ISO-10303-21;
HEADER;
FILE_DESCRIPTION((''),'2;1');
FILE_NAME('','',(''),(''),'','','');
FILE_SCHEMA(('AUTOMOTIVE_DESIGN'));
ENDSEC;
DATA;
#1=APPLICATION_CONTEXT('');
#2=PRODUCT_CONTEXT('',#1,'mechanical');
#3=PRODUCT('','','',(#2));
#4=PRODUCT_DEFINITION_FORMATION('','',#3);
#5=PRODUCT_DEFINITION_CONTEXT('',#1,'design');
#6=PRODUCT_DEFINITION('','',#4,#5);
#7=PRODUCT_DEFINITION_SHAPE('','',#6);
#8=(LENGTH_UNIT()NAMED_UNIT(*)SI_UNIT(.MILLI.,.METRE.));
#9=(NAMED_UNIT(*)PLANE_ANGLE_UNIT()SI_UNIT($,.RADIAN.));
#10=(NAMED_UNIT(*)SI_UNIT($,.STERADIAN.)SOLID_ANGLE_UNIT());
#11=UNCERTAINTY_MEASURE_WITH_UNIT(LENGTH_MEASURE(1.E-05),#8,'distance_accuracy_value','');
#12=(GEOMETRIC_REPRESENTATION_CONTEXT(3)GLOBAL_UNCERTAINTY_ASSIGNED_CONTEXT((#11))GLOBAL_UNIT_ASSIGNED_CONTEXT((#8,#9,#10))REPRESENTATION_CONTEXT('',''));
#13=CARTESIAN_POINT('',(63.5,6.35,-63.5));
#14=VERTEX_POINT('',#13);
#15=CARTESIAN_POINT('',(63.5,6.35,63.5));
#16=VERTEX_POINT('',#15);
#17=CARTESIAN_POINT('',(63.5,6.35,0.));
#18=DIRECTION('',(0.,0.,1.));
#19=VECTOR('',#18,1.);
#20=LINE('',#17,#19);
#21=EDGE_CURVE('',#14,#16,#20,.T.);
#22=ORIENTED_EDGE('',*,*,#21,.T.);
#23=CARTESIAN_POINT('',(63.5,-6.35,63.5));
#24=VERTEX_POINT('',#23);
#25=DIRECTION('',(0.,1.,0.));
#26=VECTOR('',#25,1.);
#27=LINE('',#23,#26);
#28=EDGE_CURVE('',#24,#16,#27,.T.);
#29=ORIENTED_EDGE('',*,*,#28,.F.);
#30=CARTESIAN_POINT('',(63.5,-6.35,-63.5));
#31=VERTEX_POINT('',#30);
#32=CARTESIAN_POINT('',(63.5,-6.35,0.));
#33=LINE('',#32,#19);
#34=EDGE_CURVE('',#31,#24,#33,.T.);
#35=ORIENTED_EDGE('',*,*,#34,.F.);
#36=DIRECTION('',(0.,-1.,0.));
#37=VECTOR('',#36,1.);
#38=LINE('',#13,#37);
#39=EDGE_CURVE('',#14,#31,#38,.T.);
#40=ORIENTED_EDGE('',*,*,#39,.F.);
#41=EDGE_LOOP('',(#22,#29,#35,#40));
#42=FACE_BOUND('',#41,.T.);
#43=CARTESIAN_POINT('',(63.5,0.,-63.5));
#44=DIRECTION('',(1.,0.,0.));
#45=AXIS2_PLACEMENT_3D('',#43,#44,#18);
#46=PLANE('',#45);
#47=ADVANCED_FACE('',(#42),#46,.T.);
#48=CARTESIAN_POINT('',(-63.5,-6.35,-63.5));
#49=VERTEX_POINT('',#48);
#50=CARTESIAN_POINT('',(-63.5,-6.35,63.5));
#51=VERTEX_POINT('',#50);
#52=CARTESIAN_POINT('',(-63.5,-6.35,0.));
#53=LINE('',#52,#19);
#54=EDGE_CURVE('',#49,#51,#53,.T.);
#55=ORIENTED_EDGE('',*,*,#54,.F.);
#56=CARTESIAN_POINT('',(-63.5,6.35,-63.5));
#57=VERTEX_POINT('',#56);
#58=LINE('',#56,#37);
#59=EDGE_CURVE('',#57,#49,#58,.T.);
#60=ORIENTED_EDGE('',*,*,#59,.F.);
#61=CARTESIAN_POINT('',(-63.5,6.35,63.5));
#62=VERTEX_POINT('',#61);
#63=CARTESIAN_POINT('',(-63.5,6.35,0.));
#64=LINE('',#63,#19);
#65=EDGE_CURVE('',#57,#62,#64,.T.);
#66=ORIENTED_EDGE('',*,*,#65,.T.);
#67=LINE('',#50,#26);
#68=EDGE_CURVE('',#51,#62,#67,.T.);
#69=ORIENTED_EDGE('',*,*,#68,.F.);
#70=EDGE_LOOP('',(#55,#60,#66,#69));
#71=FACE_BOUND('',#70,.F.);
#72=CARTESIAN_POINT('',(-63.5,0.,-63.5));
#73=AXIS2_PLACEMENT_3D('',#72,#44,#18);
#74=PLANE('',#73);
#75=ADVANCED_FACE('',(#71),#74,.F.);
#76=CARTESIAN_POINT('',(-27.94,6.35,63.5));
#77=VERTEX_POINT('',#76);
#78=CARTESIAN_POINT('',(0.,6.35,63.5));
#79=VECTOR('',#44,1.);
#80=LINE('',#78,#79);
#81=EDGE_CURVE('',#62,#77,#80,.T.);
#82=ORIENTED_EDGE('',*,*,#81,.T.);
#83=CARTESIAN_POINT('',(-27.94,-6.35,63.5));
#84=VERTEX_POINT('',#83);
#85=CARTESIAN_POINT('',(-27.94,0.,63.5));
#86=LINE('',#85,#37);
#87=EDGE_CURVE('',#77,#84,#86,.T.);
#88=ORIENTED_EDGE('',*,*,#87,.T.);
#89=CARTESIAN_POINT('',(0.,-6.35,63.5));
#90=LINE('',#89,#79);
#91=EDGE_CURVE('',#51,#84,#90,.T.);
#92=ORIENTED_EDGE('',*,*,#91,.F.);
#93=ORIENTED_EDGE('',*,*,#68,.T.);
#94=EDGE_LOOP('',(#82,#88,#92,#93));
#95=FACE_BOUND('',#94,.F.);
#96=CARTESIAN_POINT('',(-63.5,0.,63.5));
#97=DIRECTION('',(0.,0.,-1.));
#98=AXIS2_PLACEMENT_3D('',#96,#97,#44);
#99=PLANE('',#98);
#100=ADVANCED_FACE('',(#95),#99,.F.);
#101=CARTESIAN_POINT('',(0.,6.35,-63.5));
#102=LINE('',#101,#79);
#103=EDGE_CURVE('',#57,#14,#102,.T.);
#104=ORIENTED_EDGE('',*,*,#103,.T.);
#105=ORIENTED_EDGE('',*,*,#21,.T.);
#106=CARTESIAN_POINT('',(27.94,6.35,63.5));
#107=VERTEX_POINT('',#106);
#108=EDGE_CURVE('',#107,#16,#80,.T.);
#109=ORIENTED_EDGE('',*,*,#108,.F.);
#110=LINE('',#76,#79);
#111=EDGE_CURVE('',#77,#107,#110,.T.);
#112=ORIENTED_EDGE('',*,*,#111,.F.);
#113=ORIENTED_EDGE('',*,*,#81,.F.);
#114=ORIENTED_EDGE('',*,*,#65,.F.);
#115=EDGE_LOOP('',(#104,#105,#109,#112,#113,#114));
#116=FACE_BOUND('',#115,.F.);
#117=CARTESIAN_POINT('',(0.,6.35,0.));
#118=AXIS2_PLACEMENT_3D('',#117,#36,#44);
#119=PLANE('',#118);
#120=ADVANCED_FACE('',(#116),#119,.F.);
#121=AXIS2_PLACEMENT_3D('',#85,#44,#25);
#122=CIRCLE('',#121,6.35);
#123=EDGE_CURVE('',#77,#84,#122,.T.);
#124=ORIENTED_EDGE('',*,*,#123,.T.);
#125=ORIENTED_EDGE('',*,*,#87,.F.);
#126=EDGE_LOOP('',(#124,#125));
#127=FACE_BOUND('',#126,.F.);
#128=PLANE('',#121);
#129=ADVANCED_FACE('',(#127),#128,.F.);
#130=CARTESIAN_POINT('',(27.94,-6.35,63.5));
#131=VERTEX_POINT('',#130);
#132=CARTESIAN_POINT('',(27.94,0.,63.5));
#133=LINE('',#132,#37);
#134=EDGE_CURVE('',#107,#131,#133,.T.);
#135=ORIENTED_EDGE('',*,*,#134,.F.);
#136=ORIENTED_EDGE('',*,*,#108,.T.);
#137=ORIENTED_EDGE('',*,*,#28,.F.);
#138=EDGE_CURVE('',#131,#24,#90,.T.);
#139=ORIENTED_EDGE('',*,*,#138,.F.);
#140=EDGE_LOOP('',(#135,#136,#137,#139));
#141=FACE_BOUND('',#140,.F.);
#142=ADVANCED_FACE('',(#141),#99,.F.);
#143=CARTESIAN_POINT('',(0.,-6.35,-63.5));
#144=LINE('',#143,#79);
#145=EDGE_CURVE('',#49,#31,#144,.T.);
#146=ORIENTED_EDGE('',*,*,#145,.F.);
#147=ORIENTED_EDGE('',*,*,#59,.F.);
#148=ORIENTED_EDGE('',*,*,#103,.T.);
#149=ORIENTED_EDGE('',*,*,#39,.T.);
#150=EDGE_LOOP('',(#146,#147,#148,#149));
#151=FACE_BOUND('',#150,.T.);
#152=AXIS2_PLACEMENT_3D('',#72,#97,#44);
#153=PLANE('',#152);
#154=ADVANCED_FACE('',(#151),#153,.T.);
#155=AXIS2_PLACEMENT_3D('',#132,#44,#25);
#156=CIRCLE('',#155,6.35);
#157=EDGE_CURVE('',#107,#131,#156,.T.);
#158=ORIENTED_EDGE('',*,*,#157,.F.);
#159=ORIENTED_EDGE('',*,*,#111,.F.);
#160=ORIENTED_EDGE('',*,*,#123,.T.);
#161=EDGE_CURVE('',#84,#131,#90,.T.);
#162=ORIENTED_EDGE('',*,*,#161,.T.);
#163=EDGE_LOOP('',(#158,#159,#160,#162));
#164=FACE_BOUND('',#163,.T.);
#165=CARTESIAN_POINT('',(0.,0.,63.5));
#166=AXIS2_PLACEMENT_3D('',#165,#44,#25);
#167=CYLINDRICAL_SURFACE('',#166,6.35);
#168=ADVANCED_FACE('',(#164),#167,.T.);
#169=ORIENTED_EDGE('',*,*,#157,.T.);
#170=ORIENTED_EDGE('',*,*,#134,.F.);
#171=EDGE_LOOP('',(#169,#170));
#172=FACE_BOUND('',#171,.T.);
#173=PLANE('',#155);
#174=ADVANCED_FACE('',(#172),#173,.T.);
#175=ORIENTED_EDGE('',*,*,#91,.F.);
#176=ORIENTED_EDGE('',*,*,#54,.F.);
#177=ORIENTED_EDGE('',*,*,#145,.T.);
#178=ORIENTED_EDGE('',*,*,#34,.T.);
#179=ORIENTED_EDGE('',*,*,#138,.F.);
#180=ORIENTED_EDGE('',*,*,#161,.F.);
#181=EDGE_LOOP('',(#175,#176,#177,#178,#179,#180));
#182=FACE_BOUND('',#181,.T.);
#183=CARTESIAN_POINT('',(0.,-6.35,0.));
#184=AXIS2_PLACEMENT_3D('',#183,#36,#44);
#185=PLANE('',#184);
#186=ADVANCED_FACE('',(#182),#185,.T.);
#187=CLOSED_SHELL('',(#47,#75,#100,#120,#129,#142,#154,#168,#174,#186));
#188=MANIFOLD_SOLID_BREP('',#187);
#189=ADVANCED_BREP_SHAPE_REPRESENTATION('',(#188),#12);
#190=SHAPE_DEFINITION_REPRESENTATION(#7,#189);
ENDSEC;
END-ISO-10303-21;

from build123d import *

# Parameters (mm, degrees)
F0_W     = 127
F0_H     = 127
F1_DEPTH = 6.35
F2_R     = 6.35
F3_DEPTH = 27.94


with BuildPart() as f1:
    # F0 (on Front) → F1 (new body, symmetric)
    with BuildSketch(Plane.XZ):
        Rectangle(F0_W, F0_H)
    extrude(amount=F1_DEPTH, both=True)

    # F2 (on Right) → F3 (join, symmetric)
    with BuildSketch(Plane.YZ):
        with Locations((0, 63.5)):
            Circle(F2_R)
    extrude(amount=F3_DEPTH, both=True)


solid = f1.part
